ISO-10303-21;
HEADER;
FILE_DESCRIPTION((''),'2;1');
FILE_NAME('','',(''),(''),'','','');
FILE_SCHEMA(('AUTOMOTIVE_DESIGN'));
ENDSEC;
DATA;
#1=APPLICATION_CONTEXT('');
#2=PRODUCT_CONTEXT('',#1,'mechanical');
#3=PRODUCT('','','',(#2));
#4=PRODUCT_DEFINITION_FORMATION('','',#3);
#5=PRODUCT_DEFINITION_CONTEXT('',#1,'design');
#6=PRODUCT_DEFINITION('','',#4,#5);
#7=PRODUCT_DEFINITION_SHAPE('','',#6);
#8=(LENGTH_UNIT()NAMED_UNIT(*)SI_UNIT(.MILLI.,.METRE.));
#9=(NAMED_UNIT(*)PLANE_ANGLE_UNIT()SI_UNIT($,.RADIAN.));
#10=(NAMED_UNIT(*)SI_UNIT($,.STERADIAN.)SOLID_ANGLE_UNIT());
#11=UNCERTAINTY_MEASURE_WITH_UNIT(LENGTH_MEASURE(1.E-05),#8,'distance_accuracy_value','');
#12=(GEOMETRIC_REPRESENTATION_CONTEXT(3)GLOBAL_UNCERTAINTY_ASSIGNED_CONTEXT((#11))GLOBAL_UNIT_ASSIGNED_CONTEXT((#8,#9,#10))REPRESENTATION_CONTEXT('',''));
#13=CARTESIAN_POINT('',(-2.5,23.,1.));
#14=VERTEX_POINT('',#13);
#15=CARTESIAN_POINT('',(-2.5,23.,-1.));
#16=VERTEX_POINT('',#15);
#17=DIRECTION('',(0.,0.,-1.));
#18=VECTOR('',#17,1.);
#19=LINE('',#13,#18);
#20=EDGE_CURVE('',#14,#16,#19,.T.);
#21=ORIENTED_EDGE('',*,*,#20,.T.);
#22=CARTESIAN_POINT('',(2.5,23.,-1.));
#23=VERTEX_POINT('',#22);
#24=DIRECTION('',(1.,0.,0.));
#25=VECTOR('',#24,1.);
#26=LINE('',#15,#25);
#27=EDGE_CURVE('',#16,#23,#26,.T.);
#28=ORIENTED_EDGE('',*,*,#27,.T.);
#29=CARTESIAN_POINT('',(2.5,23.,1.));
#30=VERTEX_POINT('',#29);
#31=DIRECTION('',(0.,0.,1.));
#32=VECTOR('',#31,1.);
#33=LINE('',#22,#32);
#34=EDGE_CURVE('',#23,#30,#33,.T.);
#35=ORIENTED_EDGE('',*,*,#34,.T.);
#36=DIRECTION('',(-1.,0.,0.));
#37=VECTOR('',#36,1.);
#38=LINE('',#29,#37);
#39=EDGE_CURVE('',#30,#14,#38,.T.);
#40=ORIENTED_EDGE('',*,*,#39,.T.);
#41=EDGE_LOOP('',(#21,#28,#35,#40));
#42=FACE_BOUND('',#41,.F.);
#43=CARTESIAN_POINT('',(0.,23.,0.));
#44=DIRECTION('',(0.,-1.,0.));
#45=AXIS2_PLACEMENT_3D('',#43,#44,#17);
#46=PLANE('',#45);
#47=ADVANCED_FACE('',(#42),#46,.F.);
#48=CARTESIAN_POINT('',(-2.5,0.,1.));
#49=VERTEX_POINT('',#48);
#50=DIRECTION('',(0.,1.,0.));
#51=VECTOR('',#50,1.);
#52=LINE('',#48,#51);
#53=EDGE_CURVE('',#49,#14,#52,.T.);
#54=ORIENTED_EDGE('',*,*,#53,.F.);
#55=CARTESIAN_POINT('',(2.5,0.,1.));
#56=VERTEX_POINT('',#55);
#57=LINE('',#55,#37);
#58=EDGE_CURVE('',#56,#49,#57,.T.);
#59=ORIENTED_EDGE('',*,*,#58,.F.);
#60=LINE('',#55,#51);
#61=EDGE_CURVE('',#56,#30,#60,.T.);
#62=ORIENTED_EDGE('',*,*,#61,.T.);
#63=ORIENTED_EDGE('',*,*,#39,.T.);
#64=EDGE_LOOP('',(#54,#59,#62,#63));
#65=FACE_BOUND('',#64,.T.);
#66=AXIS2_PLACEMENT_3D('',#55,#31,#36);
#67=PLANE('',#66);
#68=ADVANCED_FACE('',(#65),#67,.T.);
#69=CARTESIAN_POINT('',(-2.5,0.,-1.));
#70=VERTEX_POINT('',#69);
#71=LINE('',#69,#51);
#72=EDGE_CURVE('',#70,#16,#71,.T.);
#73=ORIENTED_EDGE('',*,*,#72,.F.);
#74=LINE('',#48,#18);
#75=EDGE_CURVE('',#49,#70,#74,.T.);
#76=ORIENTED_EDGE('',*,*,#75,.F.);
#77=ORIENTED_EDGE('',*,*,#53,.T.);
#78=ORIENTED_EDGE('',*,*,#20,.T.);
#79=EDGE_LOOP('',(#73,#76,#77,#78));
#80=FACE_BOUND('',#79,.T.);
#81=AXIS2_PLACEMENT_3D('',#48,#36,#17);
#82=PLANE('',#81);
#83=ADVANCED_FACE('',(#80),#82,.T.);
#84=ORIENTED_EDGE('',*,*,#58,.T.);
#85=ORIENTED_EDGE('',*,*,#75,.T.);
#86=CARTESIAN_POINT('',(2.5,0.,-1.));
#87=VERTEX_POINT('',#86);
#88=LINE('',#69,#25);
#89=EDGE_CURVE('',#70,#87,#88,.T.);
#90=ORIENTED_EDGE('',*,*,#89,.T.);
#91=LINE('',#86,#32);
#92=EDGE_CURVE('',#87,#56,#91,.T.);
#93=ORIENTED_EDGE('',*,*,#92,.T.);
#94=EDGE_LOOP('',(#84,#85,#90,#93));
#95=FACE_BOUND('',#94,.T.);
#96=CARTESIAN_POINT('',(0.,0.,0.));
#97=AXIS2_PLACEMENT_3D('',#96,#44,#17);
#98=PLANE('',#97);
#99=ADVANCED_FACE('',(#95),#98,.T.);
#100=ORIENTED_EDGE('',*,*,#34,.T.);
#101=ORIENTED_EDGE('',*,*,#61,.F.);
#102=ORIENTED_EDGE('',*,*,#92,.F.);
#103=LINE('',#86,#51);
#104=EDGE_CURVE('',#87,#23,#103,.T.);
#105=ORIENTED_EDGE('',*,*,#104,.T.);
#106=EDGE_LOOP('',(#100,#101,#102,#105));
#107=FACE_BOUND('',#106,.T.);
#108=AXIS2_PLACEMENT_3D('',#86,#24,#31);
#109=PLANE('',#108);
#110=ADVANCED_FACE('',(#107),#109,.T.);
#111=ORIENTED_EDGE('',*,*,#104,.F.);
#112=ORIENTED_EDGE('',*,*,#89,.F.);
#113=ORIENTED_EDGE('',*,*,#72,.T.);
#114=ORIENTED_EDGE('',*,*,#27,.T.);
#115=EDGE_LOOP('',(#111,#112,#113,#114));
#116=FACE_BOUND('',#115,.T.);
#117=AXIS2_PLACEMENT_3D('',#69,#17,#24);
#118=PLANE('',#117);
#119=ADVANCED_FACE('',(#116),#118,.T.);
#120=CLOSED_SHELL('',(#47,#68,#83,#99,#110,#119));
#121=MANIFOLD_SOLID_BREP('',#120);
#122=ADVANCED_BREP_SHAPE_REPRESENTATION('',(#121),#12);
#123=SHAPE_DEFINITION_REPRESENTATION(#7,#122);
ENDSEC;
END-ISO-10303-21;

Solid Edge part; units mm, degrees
sketch "Sketch1" plane through (0, 0, 0) normal (0, -1, 0) x (1, 0, 0)
  line L0 (-2.5, -1) -> (2.5, -1)
  line L1 (2.5, -1) -> (2.5, 1)
  line L2 (2.5, 1) -> (-2.5, 1)
  line L3 (-2.5, 1) -> (-2.5, -1)
  dimension "D1" = 5
  dimension "D2" = 2
extrude "Protrusion1" add sketch "Sketch1" against normal blind 23
